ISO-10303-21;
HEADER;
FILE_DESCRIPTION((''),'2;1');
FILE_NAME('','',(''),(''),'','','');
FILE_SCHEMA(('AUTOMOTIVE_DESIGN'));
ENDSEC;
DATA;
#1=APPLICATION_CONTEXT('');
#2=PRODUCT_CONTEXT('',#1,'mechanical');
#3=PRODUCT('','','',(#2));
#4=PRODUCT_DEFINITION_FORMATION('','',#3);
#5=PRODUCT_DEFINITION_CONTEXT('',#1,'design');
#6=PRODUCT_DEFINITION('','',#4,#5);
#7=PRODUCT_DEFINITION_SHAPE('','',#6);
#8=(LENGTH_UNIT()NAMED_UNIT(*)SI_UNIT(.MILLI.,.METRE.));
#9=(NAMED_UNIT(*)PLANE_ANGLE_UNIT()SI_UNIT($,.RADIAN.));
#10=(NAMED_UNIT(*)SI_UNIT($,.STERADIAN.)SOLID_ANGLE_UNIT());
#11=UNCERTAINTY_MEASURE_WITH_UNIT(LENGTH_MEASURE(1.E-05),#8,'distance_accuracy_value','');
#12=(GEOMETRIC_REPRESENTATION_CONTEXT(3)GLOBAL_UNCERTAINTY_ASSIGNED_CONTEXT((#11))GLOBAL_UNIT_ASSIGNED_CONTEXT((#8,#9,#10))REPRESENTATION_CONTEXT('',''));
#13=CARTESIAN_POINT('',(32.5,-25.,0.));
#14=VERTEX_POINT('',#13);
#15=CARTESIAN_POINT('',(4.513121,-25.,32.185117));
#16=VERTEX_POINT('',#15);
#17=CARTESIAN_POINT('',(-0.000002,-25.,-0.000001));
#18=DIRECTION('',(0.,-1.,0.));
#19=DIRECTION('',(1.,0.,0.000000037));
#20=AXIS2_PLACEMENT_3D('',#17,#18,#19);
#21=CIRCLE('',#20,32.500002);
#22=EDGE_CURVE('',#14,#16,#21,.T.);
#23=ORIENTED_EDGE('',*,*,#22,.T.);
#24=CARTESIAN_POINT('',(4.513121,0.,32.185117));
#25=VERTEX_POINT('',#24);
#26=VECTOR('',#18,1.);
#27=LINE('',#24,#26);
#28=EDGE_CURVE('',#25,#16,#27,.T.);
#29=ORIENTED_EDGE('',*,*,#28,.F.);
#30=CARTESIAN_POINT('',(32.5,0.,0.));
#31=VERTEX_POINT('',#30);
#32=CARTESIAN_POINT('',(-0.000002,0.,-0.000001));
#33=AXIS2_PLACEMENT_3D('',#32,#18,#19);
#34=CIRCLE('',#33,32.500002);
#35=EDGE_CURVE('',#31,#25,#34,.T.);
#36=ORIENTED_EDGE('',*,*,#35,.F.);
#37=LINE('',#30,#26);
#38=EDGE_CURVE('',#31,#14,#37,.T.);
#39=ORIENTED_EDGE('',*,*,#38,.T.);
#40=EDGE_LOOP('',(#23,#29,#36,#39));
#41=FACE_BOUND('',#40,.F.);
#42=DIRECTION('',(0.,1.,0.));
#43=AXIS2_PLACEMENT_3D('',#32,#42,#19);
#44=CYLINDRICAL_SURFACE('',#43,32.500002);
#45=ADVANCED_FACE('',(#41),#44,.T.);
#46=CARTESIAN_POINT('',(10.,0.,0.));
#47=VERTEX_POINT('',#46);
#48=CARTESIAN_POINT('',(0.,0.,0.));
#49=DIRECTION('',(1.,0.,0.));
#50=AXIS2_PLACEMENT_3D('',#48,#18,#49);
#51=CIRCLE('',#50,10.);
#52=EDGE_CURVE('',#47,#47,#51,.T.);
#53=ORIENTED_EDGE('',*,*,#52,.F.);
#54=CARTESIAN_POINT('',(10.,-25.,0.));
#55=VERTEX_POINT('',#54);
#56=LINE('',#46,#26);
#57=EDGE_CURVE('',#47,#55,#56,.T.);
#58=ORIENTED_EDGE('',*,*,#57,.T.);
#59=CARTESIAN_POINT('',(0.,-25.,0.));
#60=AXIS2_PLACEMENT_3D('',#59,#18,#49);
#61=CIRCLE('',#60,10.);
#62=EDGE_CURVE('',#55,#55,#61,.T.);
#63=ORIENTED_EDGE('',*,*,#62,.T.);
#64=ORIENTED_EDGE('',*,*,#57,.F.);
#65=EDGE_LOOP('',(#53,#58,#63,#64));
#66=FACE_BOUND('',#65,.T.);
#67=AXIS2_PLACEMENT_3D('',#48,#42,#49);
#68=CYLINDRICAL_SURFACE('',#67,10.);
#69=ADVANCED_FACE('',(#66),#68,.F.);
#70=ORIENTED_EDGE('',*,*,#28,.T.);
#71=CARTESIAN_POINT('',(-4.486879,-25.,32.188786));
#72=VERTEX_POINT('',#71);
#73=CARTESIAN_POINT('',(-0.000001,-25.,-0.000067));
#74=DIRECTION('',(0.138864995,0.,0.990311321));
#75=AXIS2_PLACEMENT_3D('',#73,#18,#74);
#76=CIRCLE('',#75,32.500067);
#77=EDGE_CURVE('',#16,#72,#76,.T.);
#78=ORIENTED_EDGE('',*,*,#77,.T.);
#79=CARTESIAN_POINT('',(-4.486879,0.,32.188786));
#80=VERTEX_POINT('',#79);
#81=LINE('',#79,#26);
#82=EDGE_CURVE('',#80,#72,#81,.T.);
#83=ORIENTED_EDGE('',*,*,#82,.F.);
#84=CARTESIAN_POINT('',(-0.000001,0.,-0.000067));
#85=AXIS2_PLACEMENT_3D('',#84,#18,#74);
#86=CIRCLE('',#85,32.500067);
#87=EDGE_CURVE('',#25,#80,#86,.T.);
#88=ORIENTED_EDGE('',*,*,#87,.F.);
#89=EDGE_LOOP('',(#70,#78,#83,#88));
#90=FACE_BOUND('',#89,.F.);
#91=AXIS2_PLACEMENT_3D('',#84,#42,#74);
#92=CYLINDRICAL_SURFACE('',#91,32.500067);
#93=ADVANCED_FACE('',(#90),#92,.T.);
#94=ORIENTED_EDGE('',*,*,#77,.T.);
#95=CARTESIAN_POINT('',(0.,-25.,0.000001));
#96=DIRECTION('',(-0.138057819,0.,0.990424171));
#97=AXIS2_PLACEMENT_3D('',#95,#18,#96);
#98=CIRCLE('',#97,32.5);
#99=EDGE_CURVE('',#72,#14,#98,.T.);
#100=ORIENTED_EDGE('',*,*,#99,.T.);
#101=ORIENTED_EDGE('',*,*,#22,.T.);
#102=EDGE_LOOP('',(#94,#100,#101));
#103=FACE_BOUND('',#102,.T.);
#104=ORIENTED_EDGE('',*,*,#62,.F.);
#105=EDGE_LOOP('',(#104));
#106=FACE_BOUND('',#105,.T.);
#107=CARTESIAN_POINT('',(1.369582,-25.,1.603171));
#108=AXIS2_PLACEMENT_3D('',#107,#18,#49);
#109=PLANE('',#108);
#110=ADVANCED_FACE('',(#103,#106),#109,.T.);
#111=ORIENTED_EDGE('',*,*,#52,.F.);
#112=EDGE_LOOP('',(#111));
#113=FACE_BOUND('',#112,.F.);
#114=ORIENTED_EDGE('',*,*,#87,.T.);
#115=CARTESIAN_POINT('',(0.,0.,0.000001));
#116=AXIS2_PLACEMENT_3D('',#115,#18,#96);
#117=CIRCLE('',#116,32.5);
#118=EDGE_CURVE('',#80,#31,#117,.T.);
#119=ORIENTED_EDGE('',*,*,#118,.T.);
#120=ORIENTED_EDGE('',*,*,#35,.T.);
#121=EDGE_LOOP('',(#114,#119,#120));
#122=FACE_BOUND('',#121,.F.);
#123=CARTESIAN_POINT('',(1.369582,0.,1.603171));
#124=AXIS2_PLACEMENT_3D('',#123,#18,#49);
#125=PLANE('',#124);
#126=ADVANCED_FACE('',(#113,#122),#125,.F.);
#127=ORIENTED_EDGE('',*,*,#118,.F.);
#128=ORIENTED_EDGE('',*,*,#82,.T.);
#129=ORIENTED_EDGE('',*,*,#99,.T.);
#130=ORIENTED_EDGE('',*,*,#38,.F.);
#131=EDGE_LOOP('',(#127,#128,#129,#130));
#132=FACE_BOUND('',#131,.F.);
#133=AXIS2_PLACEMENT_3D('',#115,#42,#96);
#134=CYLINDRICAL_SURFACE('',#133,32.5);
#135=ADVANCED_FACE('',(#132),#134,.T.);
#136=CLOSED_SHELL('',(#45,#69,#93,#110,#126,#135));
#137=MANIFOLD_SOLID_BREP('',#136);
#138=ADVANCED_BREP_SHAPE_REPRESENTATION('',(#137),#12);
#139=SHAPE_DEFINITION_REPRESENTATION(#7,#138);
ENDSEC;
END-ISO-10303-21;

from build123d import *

# Parameters (mm, degrees)
F0_R     = 10
F1_DEPTH = 25


with BuildPart() as f1:
    # F0 (on Front) → F1 (new body)
    with BuildSketch(Plane.XZ):
        with BuildLine():
            ThreePointArc((-4.486879, 32.188786), (-21.335726, -24.516051), (32.5, 0))
            ThreePointArc((32.5, 0), (24.524747, 21.32573), (4.513121, 32.185117))
            Line((4.513121, 32.185117), (-4.486879, 32.185117))
            Line((-4.486879, 32.185117), (-4.486879, 32.188786))
        make_face()
        Circle(F0_R, mode=Mode.SUBTRACT)
        with BuildLine():
            Line((-4.486879, 32.185117), (4.513121, 32.185117))
            ThreePointArc((4.513121, 32.185117), (0.013249, 32.499997), (-4.486879, 32.188786))
            Line((-4.486879, 32.188786), (-4.486879, 32.185117))
        make_face()
    extrude(amount=F1_DEPTH)


solid = f1.part
